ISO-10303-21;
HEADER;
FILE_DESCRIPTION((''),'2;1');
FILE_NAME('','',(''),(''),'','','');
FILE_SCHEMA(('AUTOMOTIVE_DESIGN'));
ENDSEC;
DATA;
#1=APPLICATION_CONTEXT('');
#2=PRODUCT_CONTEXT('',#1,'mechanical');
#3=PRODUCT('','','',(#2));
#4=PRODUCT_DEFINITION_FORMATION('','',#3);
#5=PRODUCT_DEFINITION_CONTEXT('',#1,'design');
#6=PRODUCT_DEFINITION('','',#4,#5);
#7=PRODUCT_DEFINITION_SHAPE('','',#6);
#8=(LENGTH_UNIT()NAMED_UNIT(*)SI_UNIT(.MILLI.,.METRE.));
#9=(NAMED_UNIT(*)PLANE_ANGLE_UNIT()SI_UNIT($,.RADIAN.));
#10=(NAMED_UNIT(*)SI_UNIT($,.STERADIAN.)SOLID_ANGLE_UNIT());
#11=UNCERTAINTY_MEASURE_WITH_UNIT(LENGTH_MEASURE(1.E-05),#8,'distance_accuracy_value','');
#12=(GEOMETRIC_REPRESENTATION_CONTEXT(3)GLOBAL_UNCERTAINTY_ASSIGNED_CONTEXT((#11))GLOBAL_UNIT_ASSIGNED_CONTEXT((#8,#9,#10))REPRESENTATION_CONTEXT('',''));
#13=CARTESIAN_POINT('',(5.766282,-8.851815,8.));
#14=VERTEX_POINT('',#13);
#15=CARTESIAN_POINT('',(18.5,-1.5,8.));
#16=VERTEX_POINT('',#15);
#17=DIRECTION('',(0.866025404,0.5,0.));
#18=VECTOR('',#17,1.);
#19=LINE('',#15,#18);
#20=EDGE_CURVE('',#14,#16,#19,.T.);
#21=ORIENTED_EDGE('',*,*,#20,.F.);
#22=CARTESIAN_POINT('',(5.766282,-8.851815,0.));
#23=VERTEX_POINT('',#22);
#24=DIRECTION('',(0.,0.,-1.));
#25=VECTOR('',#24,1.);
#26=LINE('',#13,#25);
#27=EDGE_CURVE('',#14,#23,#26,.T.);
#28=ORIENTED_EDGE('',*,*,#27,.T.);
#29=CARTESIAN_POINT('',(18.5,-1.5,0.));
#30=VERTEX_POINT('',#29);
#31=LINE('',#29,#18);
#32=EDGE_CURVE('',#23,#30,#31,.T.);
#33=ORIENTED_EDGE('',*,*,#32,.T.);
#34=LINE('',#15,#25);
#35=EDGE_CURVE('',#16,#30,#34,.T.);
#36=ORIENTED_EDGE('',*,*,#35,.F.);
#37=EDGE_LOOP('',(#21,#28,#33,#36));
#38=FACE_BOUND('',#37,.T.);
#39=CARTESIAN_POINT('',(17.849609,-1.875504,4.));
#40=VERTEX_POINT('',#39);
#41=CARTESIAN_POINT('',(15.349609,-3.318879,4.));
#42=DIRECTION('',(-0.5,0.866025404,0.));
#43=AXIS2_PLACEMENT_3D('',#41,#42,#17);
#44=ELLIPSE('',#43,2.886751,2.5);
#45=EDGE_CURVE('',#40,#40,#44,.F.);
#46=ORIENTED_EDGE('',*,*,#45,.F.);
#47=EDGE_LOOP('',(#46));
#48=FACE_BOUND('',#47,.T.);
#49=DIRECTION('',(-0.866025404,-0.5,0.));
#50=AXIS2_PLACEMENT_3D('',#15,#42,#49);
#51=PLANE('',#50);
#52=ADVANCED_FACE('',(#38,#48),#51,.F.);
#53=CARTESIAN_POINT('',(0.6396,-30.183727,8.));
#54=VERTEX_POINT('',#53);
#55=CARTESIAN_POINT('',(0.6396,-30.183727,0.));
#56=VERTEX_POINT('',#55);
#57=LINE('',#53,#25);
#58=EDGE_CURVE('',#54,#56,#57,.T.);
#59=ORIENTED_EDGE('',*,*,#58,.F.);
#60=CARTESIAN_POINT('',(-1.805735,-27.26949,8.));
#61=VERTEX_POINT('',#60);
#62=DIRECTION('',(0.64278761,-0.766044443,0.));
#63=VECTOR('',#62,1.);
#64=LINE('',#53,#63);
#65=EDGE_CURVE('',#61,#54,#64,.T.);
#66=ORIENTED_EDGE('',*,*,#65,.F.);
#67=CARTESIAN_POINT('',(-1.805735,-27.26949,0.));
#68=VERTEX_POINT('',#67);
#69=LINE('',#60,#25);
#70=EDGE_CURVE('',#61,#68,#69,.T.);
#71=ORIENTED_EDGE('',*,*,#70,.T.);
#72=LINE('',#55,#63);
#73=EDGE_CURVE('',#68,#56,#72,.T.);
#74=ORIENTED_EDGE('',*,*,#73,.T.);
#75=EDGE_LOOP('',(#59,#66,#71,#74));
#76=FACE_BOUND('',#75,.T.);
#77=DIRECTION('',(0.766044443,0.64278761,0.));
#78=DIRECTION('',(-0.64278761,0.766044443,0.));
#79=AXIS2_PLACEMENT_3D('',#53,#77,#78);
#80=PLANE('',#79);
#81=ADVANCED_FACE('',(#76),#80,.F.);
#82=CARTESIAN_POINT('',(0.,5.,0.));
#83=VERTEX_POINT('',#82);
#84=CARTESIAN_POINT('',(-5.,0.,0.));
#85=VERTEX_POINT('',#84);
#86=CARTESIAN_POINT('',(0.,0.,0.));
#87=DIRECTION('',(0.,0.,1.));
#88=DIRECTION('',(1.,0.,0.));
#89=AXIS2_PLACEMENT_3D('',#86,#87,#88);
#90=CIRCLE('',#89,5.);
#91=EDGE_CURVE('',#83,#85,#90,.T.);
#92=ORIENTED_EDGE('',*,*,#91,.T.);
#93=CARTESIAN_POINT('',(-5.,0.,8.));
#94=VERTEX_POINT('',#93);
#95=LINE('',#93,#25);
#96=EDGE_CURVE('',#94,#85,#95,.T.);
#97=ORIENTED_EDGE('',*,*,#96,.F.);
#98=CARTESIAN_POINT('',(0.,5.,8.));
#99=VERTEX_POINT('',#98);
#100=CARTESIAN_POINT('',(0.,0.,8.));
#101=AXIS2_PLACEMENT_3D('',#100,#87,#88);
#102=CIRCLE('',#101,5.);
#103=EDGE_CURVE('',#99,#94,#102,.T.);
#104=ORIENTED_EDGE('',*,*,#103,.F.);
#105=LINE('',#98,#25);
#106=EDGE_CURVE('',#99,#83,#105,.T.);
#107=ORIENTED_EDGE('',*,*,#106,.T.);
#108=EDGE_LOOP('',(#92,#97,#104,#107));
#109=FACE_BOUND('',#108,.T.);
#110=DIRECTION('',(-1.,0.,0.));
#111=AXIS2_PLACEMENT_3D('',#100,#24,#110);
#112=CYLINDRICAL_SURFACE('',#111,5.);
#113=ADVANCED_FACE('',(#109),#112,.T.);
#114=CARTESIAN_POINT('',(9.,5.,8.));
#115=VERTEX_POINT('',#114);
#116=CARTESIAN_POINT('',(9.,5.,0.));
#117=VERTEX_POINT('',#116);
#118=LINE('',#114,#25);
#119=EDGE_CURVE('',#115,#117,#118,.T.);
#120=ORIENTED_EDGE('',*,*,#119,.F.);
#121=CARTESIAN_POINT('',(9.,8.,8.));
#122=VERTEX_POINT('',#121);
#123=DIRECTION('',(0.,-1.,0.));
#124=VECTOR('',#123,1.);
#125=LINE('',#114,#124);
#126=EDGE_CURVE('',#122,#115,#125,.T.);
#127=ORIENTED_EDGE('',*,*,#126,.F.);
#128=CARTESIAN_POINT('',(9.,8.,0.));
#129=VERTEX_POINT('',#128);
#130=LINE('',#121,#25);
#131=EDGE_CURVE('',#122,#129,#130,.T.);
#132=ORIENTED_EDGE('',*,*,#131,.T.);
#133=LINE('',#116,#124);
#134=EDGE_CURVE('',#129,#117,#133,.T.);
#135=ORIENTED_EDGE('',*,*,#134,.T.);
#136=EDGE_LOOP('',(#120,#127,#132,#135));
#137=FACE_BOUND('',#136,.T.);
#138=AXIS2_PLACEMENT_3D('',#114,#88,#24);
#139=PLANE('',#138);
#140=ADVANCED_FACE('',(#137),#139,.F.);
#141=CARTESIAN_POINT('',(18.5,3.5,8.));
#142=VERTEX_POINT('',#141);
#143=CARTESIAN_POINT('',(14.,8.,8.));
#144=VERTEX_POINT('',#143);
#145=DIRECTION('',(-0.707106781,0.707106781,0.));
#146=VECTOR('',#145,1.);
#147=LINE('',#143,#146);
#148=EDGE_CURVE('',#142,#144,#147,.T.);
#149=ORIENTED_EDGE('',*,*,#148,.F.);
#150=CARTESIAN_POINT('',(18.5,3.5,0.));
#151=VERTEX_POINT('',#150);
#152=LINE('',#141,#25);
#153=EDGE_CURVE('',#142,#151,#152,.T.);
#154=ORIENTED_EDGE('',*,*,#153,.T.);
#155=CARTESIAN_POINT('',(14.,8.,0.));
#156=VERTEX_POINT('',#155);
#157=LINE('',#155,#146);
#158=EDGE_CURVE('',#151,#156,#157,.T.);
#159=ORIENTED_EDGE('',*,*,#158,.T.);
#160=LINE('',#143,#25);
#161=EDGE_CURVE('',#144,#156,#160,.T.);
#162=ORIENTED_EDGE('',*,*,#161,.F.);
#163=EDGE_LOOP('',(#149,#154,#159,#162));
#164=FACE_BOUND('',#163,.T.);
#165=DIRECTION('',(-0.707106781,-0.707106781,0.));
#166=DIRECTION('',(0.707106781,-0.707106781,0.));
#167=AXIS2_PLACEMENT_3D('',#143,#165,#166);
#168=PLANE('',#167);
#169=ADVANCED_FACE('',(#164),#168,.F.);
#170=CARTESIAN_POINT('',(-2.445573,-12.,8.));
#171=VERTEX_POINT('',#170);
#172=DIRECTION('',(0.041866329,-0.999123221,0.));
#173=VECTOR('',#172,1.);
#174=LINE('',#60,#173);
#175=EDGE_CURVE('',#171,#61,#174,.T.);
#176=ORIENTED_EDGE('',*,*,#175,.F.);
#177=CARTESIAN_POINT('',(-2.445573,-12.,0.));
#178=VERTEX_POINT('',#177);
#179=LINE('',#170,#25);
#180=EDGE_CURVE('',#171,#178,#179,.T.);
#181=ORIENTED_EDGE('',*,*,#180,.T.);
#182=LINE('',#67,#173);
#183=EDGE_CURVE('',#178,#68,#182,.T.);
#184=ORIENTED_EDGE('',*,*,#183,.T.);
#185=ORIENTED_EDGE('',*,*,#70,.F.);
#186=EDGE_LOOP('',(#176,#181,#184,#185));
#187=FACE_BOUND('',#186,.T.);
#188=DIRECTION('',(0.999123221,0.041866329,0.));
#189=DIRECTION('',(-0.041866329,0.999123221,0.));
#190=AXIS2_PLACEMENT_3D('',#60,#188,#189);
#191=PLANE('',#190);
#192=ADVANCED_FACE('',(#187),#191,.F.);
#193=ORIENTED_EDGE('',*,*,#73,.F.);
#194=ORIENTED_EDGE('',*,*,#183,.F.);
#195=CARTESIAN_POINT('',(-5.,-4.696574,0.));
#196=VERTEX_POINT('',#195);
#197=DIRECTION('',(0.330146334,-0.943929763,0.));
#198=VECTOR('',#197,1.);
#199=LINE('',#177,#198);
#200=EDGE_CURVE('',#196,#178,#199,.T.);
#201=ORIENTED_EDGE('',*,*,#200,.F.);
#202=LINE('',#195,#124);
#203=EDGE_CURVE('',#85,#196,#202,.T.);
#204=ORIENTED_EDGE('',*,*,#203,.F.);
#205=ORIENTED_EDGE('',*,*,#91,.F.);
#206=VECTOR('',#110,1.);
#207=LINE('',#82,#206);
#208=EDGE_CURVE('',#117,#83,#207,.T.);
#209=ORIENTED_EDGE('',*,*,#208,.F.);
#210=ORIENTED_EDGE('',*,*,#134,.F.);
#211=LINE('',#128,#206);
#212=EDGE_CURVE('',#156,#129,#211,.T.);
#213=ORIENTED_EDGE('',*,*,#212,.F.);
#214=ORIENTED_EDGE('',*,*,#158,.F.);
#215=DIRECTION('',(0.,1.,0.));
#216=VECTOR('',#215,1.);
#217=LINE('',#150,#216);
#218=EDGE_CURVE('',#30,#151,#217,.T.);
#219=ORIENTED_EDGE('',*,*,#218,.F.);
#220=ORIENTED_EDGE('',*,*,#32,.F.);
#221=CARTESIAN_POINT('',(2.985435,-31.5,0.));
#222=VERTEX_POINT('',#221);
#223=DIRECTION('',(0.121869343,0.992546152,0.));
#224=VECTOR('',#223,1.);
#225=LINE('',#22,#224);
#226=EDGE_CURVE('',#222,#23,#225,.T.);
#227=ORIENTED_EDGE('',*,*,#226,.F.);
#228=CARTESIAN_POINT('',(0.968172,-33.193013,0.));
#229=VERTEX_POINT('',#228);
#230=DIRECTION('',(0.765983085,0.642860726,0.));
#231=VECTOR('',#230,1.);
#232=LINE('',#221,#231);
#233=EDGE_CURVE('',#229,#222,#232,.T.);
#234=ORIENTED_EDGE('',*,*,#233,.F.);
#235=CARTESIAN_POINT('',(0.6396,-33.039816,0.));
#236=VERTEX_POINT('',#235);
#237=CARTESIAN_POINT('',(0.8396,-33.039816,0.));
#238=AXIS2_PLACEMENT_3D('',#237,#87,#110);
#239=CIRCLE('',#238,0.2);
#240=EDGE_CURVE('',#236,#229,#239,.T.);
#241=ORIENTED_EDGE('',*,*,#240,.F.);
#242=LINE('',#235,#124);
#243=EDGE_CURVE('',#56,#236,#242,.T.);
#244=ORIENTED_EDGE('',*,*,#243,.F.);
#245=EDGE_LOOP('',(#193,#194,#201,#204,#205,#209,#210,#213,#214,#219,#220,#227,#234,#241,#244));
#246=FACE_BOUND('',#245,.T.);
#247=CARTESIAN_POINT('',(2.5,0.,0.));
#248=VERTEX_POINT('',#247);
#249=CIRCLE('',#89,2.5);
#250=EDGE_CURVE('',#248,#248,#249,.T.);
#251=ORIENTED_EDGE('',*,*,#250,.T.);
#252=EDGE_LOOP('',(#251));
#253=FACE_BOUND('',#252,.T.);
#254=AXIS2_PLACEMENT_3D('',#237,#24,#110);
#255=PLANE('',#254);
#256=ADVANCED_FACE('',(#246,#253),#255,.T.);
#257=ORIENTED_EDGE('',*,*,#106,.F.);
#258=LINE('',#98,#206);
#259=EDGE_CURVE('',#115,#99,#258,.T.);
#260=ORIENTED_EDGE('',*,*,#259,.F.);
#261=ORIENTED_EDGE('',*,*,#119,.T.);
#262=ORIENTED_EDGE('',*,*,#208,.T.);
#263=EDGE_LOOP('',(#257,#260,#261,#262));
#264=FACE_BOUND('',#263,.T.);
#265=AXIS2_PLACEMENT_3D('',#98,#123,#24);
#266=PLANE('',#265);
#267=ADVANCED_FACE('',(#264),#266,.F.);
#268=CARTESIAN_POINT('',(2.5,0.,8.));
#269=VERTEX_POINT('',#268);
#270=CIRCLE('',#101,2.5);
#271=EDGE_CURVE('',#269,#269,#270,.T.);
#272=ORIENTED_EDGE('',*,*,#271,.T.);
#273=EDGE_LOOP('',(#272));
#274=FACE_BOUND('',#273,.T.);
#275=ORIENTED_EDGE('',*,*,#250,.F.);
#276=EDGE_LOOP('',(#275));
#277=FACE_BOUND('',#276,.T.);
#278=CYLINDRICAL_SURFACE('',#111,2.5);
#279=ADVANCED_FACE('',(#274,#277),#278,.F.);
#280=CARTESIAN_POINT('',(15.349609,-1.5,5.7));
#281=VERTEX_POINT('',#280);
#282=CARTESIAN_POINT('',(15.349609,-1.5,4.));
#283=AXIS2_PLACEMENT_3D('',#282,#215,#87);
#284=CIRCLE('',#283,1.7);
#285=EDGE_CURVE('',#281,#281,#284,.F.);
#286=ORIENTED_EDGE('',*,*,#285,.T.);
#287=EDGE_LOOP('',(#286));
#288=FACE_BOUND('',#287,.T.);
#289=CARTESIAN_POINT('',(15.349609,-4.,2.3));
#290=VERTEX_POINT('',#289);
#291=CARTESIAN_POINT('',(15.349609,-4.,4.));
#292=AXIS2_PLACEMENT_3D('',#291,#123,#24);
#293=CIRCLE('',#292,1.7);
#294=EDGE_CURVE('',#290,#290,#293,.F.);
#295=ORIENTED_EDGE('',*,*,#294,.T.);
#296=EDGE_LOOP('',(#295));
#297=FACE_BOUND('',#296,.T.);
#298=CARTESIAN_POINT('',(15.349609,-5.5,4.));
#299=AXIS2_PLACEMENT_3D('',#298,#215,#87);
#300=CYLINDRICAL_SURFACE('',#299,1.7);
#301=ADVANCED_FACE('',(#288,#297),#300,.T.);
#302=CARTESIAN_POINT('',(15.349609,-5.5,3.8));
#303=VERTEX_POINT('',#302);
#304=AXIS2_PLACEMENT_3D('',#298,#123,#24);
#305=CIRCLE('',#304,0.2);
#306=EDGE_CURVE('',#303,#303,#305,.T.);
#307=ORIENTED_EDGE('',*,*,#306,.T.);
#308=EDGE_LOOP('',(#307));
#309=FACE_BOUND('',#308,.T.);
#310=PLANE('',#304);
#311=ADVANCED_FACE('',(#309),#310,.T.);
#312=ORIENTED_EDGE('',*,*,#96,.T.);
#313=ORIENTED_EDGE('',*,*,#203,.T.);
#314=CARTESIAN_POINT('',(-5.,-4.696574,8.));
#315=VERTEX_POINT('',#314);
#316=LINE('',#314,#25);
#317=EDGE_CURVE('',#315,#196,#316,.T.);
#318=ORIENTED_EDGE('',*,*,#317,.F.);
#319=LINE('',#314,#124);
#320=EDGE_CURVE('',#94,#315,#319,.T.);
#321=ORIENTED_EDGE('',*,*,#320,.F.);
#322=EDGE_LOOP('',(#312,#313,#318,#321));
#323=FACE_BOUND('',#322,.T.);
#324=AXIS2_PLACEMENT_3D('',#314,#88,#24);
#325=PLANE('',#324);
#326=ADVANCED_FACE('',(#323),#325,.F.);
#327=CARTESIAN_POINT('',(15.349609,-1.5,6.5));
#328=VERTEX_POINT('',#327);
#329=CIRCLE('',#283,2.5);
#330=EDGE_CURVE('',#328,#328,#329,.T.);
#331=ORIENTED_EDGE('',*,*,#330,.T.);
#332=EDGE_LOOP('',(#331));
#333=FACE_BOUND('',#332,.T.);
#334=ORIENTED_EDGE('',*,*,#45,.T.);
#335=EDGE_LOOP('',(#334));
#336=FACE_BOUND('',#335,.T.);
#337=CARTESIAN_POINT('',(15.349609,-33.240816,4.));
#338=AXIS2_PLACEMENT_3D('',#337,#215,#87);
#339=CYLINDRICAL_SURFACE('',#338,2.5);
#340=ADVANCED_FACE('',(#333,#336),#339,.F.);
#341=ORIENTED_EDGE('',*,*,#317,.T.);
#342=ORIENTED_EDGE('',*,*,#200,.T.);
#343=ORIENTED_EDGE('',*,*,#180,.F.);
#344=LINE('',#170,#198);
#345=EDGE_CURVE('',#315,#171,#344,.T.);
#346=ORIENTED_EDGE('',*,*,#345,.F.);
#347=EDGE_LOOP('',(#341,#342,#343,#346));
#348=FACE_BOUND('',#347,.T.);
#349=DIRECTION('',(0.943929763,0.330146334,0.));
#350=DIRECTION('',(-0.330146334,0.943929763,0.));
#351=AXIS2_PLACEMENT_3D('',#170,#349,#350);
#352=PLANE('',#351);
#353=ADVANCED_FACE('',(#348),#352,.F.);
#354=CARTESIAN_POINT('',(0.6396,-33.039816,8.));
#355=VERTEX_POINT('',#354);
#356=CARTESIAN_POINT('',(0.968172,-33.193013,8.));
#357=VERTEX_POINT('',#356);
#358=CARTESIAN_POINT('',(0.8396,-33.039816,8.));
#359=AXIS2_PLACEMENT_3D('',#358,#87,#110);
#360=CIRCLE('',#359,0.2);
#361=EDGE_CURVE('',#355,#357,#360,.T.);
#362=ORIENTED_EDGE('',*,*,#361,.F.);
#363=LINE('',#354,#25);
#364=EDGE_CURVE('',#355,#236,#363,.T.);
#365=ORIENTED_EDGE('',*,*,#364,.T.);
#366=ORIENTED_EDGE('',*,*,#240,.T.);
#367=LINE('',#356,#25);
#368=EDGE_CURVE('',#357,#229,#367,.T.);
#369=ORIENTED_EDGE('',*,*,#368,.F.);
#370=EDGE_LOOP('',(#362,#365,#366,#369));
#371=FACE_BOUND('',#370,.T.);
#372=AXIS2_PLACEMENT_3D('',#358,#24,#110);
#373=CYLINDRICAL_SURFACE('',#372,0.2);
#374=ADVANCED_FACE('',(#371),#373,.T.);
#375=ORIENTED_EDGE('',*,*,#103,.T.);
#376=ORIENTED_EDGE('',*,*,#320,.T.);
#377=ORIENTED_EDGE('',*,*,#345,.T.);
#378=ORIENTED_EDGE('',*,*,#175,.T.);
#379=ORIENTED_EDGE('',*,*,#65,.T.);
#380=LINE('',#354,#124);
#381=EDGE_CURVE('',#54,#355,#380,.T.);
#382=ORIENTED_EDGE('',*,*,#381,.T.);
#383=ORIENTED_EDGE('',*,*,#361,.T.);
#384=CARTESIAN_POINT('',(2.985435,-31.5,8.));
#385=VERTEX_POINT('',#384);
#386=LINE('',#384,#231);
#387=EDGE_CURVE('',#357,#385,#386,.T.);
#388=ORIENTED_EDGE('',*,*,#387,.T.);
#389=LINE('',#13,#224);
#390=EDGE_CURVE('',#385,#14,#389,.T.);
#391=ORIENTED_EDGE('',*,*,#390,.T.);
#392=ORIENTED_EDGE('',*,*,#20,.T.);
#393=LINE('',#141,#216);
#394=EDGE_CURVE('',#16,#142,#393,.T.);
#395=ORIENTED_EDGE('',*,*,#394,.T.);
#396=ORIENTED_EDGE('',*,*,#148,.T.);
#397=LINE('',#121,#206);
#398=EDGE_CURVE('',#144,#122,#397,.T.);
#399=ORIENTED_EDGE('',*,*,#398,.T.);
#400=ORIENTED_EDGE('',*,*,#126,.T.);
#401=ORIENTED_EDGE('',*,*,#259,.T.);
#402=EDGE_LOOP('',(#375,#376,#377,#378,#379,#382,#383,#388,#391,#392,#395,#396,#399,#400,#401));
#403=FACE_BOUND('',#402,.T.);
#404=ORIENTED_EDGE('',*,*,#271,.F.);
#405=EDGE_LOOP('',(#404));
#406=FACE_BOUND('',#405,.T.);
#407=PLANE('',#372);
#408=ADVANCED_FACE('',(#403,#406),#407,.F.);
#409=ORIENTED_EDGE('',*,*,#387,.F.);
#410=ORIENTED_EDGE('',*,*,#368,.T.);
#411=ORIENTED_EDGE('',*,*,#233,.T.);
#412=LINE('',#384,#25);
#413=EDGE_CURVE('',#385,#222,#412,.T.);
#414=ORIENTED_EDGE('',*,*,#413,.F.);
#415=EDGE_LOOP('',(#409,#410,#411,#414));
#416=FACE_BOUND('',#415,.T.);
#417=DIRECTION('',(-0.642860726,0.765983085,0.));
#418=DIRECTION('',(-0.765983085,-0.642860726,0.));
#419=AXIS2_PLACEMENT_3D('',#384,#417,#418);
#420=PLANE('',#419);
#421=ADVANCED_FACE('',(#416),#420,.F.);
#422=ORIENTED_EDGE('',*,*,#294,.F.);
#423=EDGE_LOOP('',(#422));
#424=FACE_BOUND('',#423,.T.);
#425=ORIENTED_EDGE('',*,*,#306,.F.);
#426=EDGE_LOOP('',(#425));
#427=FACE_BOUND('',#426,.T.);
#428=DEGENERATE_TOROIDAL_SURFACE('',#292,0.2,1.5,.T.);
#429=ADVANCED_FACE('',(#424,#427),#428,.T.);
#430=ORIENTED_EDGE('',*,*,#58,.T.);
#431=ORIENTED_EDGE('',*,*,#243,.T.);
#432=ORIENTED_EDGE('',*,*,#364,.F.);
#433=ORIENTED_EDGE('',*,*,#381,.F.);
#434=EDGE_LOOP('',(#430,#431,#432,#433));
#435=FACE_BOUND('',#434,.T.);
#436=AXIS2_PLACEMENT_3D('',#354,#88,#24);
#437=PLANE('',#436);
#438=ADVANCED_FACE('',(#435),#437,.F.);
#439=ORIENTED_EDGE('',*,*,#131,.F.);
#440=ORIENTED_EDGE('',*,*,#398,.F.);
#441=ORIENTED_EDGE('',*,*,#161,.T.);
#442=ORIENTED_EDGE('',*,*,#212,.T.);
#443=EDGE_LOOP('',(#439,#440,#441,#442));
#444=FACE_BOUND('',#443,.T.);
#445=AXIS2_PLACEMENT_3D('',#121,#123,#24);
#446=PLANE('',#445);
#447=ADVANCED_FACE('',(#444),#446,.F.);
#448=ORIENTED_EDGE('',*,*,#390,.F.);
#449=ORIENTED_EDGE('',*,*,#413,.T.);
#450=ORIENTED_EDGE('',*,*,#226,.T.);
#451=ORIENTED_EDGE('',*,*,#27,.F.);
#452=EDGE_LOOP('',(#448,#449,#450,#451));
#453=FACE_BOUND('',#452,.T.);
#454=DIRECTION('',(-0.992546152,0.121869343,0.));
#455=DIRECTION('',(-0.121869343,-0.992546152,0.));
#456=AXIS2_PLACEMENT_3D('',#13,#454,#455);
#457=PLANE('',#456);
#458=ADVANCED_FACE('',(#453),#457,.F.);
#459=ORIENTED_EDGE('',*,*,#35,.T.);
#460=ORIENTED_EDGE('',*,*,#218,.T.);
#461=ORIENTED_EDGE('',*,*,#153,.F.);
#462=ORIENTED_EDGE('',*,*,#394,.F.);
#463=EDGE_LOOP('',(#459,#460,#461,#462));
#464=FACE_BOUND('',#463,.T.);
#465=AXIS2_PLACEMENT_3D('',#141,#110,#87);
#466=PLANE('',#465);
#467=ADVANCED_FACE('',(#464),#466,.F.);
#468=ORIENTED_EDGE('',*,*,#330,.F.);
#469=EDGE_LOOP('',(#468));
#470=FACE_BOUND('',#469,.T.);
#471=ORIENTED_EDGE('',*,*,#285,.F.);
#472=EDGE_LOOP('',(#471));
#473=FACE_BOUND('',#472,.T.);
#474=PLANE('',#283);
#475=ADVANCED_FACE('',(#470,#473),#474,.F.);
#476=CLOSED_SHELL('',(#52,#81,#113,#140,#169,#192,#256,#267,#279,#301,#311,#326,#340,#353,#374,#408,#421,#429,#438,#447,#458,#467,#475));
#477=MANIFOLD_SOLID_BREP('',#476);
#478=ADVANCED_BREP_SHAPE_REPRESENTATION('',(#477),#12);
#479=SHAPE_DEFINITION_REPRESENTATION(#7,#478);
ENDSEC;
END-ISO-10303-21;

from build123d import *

# Parameters (mm, degrees)
SKETCH_1_R          = 2.5
EXTRUDE_1_DEPTH     = 8
CUT_EXTRUDE_1_REACH = 39.599
SKETCH_3_R          = 2.5
SKETCH_4_R          = 1.7
EXTRUDE_2_DEPTH     = 4
FILLET_1_R          = 1.5


with BuildPart() as part:
    # 스케치1 → 보스-돌출1 (new body)
    with BuildSketch(Plane.XY):
        with BuildLine():
            Line((0, 5), (9, 5))
            Line((9, 5), (9, 8))
            Line((9, 8), (14, 8))
            Line((14, 8), (18.5, 3.5))
            Line((18.5, 3.5), (18.5, -1.5))
            Line((18.5, -1.5), (5.766282201, -8.851815399))
            Line((5.766282201, -8.851815399), (2.9854348, -31.5))
            Line((2.9854348, -31.5), (0.968172025, -33.193012598))
            ThreePointArc((0.968172025, -33.193012598), (0.755084879, -33.221081572), (0.63959988, -33.039815981))
            Line((0.63959988, -33.039815981), (0.63959988, -30.183726788))
            Line((0.63959988, -30.183726788), (-1.805734914, -27.269490262))
            Line((-1.805734914, -27.269490262), (-2.445573418, -12))
            Line((-2.445573418, -12), (-5, -4.696574134))
            Line((-5, -4.696574134), (-5, 0))
            ThreePointArc((-5, 0), (-3.535533906, 3.535533906), (0, 5))
        make_face()
        Circle(SKETCH_1_R, mode=Mode.SUBTRACT)
    extrude(amount=EXTRUDE_1_DEPTH)

    # 컷-돌출1: up to this plane
    cut_extrude_1_end = Plane(origin=(18.5, -1.5, 8), z_dir=(-0.5000000000000013, 0.8660254037844378, 0))
    # 스케치3 → 컷-돌출1 (cut, up to the surface)
    with BuildSketch(Plane(origin=(0, -1.5, 0), x_dir=(1, 0, 0), z_dir=(0, 1, 0)), mode=Mode.PRIVATE) as cut_extrude_1_sk1:
        with Locations(Location((15.349608759, -4, 0), (0, 0, 270))):
            Circle(SKETCH_3_R)
    cut_extrude_1_tool1 = split(extrude(cut_extrude_1_sk1.sketch, amount=-CUT_EXTRUDE_1_REACH, mode=Mode.PRIVATE), bisect_by=cut_extrude_1_end, keep=Keep.BOTH, mode=Mode.PRIVATE)
    add(cut_extrude_1_tool1.solids().sort_by_distance((15.349609, -1.5, 4))[0], mode=Mode.SUBTRACT)

    # 스케치4 → 보스-돌출2 (add)
    with BuildSketch(Plane.XZ.offset(1.5)):
        with Locations(Location((15.349608759, 4, 0), (0, 0, 90))):
            Circle(SKETCH_4_R)
    extrude(amount=EXTRUDE_2_DEPTH)

    # 필렛1
    fillet_1_edges = [part.edges().sort_by_distance(p)[0] for p in [
        (15.349608759, -5.5, 2.3),
    ]]
    fillet(fillet_1_edges, radius=FILLET_1_R)


solid = part.part
